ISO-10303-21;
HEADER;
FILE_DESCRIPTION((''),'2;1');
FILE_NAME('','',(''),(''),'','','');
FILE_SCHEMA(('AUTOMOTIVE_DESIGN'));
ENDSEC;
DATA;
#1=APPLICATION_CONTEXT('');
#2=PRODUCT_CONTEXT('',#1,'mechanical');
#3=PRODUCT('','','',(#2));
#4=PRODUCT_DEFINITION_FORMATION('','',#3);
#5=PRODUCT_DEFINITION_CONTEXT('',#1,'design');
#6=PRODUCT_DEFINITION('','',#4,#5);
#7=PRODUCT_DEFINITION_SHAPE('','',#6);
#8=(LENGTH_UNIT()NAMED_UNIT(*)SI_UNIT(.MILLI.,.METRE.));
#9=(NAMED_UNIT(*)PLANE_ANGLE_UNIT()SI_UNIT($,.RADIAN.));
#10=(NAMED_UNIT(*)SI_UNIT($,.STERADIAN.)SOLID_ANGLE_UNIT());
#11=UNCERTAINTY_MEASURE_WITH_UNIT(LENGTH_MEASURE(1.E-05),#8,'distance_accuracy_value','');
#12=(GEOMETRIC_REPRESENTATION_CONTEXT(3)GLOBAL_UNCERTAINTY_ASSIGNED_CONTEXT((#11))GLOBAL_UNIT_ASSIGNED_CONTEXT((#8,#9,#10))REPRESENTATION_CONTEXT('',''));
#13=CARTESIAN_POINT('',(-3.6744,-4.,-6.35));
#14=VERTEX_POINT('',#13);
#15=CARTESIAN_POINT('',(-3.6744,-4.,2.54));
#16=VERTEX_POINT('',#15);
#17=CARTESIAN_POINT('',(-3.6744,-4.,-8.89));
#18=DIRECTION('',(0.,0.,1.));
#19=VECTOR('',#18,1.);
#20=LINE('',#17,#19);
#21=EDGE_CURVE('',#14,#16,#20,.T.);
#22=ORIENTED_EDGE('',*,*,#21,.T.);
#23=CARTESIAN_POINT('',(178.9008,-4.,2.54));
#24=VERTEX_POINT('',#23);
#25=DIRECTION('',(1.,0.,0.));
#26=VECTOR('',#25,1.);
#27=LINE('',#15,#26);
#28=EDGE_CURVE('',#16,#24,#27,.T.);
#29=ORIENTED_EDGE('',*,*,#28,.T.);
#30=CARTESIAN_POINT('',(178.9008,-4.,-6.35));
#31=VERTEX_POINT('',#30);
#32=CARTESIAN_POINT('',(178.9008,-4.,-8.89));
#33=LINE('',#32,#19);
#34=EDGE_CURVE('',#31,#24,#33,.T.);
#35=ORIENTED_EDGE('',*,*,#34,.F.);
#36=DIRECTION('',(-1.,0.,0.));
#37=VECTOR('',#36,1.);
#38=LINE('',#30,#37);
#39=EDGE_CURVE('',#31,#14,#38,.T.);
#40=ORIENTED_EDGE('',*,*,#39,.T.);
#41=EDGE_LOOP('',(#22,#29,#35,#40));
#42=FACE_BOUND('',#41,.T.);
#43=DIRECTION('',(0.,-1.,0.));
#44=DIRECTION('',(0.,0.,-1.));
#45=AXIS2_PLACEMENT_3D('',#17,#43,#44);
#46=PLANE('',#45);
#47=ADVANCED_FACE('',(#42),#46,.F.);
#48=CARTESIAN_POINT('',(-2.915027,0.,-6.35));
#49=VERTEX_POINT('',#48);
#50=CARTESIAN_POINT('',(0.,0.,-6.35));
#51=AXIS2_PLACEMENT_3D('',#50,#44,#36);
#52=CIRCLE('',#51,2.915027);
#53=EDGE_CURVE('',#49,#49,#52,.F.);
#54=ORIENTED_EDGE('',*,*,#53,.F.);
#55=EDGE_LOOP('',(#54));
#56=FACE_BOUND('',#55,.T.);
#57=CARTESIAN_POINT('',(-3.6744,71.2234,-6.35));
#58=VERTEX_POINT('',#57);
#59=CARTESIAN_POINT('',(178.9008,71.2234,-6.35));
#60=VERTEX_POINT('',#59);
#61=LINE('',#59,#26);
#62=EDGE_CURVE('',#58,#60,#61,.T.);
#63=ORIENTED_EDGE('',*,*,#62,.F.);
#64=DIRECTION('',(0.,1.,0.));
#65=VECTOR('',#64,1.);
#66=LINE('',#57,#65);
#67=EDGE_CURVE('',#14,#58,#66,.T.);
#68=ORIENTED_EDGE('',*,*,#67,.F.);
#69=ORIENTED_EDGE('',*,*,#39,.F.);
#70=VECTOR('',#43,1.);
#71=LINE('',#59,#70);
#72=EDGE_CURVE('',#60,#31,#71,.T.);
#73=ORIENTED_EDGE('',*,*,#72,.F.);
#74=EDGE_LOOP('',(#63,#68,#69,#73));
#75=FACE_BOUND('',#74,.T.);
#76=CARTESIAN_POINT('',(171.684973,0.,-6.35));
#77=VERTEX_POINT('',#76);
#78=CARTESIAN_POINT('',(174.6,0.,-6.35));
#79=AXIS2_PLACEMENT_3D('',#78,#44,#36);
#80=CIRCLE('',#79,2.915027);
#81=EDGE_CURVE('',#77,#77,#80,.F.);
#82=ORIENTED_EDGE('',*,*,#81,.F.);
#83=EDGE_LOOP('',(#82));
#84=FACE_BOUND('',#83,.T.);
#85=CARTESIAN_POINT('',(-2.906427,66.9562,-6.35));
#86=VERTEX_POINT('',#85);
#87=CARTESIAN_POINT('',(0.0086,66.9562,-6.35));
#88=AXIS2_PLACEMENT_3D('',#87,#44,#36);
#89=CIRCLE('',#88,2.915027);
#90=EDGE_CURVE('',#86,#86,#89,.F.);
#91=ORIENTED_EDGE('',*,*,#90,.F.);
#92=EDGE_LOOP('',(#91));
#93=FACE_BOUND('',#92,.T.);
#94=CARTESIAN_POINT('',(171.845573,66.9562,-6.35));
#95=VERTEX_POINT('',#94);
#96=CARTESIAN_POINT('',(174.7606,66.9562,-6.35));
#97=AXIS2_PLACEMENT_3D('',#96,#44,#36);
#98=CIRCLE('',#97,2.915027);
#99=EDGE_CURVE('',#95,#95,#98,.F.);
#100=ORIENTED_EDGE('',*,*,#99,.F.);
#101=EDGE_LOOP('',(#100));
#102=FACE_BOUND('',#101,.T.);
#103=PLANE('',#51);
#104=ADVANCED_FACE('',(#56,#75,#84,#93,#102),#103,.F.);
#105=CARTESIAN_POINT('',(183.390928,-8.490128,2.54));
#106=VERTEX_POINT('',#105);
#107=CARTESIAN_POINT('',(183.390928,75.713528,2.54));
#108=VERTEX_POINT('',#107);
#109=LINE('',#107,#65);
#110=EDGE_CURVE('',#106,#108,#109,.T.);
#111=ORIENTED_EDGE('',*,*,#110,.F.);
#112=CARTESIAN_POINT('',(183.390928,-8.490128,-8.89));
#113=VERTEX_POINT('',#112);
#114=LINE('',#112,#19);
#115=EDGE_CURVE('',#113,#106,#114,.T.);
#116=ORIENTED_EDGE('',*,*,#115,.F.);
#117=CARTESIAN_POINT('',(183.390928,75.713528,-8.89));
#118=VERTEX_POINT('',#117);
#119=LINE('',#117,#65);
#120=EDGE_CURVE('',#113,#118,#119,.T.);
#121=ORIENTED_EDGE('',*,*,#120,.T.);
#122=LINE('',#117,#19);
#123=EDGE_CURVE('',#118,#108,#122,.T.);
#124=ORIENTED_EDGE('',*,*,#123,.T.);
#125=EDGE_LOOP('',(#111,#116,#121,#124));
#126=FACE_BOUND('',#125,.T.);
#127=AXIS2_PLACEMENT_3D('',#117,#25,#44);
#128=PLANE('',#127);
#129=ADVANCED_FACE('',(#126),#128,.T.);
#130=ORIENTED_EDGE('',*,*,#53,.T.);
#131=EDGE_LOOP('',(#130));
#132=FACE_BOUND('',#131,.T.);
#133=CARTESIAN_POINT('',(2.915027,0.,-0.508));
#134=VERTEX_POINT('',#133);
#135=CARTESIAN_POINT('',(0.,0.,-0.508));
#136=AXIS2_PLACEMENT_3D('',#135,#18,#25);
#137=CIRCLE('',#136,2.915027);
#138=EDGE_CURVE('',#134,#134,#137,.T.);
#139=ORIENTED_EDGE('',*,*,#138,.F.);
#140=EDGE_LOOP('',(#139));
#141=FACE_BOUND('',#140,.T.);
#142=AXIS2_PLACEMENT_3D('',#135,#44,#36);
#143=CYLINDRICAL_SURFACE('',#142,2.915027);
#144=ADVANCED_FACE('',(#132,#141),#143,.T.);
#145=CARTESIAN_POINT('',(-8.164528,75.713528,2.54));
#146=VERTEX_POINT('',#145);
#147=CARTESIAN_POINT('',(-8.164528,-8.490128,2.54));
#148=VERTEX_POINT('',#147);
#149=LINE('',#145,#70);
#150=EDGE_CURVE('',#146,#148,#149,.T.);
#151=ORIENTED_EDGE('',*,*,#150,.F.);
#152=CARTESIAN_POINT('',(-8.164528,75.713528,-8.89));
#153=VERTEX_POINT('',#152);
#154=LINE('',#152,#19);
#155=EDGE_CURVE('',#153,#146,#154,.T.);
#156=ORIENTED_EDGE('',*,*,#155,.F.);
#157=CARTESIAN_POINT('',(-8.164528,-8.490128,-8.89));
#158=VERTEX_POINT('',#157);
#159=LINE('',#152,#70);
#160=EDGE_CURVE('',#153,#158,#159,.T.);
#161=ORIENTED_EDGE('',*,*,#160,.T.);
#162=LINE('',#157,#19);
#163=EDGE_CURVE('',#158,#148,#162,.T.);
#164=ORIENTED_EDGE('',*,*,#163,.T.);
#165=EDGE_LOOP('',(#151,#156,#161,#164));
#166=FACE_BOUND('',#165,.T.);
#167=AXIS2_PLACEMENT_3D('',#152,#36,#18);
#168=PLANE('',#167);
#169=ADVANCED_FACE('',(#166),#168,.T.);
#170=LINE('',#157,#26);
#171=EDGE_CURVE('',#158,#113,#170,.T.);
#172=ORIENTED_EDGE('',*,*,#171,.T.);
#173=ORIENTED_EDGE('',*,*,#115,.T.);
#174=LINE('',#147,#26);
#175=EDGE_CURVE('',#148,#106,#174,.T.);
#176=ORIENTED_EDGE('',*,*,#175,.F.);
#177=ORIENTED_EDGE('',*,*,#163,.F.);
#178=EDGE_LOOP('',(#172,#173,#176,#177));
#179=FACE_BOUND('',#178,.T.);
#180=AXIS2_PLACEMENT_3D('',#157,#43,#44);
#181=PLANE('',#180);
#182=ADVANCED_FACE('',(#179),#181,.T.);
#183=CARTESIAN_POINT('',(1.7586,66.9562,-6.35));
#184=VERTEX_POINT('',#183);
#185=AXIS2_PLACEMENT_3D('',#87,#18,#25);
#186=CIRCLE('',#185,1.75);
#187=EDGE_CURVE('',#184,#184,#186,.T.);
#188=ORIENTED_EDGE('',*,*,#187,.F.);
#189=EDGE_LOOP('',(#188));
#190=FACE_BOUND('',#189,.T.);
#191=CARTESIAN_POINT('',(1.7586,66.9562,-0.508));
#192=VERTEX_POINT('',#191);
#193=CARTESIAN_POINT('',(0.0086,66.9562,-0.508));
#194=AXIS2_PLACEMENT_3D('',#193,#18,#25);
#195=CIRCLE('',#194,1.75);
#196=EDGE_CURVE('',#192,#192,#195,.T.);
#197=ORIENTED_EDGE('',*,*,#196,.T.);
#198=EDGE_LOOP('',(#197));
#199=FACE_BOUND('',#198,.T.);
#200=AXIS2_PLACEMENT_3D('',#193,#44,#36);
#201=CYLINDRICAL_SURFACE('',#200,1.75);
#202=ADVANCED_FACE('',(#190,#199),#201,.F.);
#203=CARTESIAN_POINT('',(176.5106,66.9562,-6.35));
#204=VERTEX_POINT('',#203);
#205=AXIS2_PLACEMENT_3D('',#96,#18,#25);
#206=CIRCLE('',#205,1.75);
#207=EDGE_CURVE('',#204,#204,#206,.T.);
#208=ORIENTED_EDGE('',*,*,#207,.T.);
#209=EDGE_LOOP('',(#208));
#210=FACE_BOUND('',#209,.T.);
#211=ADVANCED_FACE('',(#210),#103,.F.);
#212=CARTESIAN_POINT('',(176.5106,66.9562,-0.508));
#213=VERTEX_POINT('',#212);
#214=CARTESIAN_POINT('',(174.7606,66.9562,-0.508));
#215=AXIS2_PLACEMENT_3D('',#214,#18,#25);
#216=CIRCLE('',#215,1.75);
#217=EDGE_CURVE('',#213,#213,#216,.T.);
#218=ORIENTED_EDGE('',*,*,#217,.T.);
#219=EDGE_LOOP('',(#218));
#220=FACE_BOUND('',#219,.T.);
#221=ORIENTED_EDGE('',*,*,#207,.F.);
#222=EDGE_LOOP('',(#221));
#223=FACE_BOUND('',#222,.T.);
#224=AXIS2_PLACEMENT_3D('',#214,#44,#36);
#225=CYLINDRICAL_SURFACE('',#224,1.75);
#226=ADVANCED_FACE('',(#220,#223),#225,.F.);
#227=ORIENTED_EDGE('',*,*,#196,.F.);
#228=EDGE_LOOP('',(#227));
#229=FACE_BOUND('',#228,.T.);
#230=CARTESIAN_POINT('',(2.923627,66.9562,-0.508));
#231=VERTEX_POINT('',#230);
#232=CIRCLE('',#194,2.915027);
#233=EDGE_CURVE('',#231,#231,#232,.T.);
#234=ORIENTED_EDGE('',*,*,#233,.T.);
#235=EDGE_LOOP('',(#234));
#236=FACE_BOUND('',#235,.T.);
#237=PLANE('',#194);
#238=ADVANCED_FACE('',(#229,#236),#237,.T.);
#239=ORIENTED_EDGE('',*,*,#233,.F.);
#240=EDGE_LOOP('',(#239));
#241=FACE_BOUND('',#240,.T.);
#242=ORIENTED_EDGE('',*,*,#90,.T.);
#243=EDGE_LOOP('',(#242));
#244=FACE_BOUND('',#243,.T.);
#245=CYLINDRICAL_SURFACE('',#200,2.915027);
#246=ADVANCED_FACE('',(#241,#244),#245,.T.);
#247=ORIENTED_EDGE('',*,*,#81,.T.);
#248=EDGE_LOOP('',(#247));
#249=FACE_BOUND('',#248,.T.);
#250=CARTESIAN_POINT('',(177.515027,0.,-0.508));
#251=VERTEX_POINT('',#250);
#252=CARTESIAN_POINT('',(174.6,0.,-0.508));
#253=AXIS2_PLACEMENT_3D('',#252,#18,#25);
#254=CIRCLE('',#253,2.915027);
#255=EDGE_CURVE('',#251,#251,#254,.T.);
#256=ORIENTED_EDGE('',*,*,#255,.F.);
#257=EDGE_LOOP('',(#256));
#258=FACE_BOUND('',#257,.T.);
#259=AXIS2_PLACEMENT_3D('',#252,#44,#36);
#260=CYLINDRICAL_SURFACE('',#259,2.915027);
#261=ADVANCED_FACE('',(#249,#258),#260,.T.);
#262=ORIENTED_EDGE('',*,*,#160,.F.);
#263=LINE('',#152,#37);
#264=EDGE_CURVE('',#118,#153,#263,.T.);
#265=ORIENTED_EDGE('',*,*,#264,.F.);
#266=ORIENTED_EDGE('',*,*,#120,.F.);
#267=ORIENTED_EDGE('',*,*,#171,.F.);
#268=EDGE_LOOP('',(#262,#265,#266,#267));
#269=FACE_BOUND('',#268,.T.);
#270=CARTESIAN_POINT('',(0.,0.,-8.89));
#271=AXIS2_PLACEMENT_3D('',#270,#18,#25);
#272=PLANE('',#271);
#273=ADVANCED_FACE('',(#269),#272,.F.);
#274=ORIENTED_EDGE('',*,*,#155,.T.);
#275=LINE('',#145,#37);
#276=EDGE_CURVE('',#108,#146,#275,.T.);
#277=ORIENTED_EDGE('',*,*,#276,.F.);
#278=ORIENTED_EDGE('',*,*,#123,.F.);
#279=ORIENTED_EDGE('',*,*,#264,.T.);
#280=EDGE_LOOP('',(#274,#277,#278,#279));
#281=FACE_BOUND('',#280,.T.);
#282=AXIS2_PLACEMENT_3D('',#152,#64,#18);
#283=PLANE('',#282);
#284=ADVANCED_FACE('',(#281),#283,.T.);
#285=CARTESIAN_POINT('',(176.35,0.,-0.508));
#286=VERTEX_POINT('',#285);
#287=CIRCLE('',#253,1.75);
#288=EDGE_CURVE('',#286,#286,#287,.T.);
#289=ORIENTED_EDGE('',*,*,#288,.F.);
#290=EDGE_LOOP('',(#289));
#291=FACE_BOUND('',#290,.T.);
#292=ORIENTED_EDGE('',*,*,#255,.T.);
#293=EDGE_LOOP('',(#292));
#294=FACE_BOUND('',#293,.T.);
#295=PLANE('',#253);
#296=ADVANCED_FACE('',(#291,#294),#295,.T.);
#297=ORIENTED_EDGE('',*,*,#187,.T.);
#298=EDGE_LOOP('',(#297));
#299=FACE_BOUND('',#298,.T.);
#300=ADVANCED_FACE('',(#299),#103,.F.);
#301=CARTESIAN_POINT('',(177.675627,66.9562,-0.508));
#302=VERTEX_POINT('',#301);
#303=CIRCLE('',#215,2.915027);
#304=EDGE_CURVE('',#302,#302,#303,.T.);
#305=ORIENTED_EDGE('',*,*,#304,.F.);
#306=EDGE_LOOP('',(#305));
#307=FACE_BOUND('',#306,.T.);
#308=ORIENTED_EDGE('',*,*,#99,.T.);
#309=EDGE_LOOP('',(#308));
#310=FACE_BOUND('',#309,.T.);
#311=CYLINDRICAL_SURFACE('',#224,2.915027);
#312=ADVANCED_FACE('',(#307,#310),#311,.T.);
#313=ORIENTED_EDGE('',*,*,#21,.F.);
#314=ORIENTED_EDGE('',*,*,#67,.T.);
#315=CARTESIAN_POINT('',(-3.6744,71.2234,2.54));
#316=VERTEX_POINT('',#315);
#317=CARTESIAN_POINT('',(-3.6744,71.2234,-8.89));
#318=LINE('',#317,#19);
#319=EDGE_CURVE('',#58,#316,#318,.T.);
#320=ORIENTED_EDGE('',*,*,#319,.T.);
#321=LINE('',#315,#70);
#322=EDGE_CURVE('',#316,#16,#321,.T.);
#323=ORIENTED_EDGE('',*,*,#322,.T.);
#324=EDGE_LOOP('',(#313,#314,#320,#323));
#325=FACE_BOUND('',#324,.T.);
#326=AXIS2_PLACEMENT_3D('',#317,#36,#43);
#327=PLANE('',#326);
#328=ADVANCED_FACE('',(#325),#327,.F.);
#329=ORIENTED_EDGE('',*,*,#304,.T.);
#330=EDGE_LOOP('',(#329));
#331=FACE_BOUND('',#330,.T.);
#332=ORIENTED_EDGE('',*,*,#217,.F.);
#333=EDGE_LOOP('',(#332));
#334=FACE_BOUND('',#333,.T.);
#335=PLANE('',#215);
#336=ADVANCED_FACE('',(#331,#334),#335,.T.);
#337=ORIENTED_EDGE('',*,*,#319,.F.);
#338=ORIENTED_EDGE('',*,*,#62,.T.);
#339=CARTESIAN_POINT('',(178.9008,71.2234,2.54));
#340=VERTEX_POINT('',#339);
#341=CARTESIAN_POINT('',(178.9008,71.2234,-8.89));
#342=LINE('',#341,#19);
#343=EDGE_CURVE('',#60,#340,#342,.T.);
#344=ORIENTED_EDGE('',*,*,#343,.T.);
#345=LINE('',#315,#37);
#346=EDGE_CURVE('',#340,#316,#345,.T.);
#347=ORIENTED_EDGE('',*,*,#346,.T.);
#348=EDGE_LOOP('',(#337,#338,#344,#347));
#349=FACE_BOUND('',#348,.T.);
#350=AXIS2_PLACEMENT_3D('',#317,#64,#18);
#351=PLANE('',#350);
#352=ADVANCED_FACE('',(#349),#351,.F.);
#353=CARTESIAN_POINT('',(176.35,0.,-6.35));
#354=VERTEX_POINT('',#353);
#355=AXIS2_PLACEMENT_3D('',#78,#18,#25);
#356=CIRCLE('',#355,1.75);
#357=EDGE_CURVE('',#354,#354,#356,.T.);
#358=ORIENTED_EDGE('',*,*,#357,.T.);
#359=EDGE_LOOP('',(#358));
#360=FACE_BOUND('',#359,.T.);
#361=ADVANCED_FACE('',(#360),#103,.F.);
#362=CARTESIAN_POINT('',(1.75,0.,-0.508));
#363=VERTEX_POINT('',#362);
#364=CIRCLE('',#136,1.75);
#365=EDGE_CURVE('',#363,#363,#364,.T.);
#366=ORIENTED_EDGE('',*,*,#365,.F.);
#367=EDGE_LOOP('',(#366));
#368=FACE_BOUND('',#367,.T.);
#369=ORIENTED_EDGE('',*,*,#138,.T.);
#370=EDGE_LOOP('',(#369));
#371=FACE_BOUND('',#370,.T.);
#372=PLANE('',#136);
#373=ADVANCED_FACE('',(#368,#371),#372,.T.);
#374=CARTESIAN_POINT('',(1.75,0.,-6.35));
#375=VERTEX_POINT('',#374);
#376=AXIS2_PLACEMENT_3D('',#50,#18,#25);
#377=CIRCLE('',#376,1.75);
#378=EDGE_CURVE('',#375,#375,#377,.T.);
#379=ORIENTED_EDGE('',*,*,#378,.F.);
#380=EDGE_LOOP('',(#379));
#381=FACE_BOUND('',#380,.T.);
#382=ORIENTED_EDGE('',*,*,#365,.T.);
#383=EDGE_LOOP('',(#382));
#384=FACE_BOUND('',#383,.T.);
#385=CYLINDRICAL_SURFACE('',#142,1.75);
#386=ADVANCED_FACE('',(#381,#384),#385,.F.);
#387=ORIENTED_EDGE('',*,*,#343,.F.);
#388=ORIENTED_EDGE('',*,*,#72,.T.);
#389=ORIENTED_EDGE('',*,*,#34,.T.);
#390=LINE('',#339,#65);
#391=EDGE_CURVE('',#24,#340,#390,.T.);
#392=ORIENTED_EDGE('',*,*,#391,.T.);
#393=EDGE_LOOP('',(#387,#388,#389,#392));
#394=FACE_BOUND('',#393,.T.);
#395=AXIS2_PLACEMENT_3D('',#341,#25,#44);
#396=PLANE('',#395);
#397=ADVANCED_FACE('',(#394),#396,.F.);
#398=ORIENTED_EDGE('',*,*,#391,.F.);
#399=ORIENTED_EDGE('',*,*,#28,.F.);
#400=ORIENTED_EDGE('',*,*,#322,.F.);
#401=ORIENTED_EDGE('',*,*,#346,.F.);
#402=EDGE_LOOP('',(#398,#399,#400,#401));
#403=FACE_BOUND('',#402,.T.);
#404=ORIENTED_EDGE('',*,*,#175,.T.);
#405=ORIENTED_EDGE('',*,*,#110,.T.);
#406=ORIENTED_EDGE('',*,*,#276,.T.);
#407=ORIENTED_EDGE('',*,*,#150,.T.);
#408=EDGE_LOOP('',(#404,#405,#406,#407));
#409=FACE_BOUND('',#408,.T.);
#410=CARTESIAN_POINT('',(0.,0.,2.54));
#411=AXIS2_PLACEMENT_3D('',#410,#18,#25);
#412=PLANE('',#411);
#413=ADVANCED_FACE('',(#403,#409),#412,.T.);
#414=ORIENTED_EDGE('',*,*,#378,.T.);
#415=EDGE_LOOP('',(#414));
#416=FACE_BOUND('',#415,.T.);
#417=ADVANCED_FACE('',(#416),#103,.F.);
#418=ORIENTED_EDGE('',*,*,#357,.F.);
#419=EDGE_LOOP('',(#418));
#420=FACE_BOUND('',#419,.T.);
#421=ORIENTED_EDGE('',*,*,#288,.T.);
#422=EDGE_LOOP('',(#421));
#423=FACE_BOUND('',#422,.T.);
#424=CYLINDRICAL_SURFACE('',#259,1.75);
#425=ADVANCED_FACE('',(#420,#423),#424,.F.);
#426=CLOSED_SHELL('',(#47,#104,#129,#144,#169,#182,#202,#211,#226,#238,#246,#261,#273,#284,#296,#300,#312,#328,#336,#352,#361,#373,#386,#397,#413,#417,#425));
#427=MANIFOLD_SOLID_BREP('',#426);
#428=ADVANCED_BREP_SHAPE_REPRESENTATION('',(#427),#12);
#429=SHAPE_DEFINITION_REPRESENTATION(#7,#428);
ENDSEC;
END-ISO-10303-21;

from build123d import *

# Parameters (mm, degrees)
BOSS_EXTRUDE1_DEPTH      = 2.54
BOSS_EXTRUDE1_DEPTH_BACK = 8.89
SKETCH1_W                = 191.555456122
SKETCH1_H                = 84.203656122
SKETCH1_W_2              = 182.5752
SKETCH1_H_2              = 75.2234
SKETCH3_W                = 182.5752
SKETCH3_H                = 75.2234
BOSS_EXTRUDE4_DEPTH      = 2.54
SKETCH4_R                = 2.9150268
SKETCH4_R_2              = 1.75
BOSS_EXTRUDE6_DEPTH      = 5.842


with BuildPart() as part:
    # Sketch1 → Boss-Extrude1 (new, two sides: drawn at the far end of the back side and taken through both)
    with BuildSketch(Plane.XY.offset(-BOSS_EXTRUDE1_DEPTH_BACK)):
        with Locations((87.6132, 33.6117)):
            Rectangle(SKETCH1_W, SKETCH1_H)
        with Locations((87.6132, 33.6117)):
            Rectangle(SKETCH1_W_2, SKETCH1_H_2, mode=Mode.SUBTRACT)
    extrude(amount=BOSS_EXTRUDE1_DEPTH + BOSS_EXTRUDE1_DEPTH_BACK)

    # Sketch3 → Boss-Extrude4 (add)
    with BuildSketch(Plane(origin=(0, 0, -8.89), x_dir=(-1, 0, 0), z_dir=(0, 0, -1))):
        with Locations((-87.6132, 33.6117)):
            Rectangle(SKETCH3_W, SKETCH3_H)
    extrude(amount=-BOSS_EXTRUDE4_DEPTH)

    # Sketch4 → Boss-Extrude6 (add)
    # profile 1 of 4: a face of its own
    with BuildSketch(Plane.XY.offset(-6.35)):
        with Locations(Location((0.0086, 66.9562, 0), (0, 0, 180))):
            Circle(SKETCH4_R)
        with Locations((0.0086, 66.9562)):
            Circle(SKETCH4_R_2, mode=Mode.SUBTRACT)
    # profile 2 of 4: a face of its own
    with BuildSketch(Plane.XY.offset(-6.35)):
        with Locations(Location((174.7606, 66.9562, 0), (0, 0, 180))):
            Circle(SKETCH4_R)
        with Locations((174.7606, 66.9562)):
            Circle(SKETCH4_R_2, mode=Mode.SUBTRACT)
    # profile 3 of 4: a face of its own
    with BuildSketch(Plane.XY.offset(-6.35)):
        with Locations(Location((174.6, 0, 0), (0, 0, 180))):
            Circle(SKETCH4_R)
        with Locations((174.6, 0)):
            Circle(SKETCH4_R_2, mode=Mode.SUBTRACT)
    # profile 4 of 4: a face of its own
    with BuildSketch(Plane.XY.offset(-6.35)):
        with Locations(Location((0, 0, 0), (0, 0, 180))):
            Circle(SKETCH4_R)
        Circle(SKETCH4_R_2, mode=Mode.SUBTRACT)
    extrude(amount=BOSS_EXTRUDE6_DEPTH)


solid = part.part
